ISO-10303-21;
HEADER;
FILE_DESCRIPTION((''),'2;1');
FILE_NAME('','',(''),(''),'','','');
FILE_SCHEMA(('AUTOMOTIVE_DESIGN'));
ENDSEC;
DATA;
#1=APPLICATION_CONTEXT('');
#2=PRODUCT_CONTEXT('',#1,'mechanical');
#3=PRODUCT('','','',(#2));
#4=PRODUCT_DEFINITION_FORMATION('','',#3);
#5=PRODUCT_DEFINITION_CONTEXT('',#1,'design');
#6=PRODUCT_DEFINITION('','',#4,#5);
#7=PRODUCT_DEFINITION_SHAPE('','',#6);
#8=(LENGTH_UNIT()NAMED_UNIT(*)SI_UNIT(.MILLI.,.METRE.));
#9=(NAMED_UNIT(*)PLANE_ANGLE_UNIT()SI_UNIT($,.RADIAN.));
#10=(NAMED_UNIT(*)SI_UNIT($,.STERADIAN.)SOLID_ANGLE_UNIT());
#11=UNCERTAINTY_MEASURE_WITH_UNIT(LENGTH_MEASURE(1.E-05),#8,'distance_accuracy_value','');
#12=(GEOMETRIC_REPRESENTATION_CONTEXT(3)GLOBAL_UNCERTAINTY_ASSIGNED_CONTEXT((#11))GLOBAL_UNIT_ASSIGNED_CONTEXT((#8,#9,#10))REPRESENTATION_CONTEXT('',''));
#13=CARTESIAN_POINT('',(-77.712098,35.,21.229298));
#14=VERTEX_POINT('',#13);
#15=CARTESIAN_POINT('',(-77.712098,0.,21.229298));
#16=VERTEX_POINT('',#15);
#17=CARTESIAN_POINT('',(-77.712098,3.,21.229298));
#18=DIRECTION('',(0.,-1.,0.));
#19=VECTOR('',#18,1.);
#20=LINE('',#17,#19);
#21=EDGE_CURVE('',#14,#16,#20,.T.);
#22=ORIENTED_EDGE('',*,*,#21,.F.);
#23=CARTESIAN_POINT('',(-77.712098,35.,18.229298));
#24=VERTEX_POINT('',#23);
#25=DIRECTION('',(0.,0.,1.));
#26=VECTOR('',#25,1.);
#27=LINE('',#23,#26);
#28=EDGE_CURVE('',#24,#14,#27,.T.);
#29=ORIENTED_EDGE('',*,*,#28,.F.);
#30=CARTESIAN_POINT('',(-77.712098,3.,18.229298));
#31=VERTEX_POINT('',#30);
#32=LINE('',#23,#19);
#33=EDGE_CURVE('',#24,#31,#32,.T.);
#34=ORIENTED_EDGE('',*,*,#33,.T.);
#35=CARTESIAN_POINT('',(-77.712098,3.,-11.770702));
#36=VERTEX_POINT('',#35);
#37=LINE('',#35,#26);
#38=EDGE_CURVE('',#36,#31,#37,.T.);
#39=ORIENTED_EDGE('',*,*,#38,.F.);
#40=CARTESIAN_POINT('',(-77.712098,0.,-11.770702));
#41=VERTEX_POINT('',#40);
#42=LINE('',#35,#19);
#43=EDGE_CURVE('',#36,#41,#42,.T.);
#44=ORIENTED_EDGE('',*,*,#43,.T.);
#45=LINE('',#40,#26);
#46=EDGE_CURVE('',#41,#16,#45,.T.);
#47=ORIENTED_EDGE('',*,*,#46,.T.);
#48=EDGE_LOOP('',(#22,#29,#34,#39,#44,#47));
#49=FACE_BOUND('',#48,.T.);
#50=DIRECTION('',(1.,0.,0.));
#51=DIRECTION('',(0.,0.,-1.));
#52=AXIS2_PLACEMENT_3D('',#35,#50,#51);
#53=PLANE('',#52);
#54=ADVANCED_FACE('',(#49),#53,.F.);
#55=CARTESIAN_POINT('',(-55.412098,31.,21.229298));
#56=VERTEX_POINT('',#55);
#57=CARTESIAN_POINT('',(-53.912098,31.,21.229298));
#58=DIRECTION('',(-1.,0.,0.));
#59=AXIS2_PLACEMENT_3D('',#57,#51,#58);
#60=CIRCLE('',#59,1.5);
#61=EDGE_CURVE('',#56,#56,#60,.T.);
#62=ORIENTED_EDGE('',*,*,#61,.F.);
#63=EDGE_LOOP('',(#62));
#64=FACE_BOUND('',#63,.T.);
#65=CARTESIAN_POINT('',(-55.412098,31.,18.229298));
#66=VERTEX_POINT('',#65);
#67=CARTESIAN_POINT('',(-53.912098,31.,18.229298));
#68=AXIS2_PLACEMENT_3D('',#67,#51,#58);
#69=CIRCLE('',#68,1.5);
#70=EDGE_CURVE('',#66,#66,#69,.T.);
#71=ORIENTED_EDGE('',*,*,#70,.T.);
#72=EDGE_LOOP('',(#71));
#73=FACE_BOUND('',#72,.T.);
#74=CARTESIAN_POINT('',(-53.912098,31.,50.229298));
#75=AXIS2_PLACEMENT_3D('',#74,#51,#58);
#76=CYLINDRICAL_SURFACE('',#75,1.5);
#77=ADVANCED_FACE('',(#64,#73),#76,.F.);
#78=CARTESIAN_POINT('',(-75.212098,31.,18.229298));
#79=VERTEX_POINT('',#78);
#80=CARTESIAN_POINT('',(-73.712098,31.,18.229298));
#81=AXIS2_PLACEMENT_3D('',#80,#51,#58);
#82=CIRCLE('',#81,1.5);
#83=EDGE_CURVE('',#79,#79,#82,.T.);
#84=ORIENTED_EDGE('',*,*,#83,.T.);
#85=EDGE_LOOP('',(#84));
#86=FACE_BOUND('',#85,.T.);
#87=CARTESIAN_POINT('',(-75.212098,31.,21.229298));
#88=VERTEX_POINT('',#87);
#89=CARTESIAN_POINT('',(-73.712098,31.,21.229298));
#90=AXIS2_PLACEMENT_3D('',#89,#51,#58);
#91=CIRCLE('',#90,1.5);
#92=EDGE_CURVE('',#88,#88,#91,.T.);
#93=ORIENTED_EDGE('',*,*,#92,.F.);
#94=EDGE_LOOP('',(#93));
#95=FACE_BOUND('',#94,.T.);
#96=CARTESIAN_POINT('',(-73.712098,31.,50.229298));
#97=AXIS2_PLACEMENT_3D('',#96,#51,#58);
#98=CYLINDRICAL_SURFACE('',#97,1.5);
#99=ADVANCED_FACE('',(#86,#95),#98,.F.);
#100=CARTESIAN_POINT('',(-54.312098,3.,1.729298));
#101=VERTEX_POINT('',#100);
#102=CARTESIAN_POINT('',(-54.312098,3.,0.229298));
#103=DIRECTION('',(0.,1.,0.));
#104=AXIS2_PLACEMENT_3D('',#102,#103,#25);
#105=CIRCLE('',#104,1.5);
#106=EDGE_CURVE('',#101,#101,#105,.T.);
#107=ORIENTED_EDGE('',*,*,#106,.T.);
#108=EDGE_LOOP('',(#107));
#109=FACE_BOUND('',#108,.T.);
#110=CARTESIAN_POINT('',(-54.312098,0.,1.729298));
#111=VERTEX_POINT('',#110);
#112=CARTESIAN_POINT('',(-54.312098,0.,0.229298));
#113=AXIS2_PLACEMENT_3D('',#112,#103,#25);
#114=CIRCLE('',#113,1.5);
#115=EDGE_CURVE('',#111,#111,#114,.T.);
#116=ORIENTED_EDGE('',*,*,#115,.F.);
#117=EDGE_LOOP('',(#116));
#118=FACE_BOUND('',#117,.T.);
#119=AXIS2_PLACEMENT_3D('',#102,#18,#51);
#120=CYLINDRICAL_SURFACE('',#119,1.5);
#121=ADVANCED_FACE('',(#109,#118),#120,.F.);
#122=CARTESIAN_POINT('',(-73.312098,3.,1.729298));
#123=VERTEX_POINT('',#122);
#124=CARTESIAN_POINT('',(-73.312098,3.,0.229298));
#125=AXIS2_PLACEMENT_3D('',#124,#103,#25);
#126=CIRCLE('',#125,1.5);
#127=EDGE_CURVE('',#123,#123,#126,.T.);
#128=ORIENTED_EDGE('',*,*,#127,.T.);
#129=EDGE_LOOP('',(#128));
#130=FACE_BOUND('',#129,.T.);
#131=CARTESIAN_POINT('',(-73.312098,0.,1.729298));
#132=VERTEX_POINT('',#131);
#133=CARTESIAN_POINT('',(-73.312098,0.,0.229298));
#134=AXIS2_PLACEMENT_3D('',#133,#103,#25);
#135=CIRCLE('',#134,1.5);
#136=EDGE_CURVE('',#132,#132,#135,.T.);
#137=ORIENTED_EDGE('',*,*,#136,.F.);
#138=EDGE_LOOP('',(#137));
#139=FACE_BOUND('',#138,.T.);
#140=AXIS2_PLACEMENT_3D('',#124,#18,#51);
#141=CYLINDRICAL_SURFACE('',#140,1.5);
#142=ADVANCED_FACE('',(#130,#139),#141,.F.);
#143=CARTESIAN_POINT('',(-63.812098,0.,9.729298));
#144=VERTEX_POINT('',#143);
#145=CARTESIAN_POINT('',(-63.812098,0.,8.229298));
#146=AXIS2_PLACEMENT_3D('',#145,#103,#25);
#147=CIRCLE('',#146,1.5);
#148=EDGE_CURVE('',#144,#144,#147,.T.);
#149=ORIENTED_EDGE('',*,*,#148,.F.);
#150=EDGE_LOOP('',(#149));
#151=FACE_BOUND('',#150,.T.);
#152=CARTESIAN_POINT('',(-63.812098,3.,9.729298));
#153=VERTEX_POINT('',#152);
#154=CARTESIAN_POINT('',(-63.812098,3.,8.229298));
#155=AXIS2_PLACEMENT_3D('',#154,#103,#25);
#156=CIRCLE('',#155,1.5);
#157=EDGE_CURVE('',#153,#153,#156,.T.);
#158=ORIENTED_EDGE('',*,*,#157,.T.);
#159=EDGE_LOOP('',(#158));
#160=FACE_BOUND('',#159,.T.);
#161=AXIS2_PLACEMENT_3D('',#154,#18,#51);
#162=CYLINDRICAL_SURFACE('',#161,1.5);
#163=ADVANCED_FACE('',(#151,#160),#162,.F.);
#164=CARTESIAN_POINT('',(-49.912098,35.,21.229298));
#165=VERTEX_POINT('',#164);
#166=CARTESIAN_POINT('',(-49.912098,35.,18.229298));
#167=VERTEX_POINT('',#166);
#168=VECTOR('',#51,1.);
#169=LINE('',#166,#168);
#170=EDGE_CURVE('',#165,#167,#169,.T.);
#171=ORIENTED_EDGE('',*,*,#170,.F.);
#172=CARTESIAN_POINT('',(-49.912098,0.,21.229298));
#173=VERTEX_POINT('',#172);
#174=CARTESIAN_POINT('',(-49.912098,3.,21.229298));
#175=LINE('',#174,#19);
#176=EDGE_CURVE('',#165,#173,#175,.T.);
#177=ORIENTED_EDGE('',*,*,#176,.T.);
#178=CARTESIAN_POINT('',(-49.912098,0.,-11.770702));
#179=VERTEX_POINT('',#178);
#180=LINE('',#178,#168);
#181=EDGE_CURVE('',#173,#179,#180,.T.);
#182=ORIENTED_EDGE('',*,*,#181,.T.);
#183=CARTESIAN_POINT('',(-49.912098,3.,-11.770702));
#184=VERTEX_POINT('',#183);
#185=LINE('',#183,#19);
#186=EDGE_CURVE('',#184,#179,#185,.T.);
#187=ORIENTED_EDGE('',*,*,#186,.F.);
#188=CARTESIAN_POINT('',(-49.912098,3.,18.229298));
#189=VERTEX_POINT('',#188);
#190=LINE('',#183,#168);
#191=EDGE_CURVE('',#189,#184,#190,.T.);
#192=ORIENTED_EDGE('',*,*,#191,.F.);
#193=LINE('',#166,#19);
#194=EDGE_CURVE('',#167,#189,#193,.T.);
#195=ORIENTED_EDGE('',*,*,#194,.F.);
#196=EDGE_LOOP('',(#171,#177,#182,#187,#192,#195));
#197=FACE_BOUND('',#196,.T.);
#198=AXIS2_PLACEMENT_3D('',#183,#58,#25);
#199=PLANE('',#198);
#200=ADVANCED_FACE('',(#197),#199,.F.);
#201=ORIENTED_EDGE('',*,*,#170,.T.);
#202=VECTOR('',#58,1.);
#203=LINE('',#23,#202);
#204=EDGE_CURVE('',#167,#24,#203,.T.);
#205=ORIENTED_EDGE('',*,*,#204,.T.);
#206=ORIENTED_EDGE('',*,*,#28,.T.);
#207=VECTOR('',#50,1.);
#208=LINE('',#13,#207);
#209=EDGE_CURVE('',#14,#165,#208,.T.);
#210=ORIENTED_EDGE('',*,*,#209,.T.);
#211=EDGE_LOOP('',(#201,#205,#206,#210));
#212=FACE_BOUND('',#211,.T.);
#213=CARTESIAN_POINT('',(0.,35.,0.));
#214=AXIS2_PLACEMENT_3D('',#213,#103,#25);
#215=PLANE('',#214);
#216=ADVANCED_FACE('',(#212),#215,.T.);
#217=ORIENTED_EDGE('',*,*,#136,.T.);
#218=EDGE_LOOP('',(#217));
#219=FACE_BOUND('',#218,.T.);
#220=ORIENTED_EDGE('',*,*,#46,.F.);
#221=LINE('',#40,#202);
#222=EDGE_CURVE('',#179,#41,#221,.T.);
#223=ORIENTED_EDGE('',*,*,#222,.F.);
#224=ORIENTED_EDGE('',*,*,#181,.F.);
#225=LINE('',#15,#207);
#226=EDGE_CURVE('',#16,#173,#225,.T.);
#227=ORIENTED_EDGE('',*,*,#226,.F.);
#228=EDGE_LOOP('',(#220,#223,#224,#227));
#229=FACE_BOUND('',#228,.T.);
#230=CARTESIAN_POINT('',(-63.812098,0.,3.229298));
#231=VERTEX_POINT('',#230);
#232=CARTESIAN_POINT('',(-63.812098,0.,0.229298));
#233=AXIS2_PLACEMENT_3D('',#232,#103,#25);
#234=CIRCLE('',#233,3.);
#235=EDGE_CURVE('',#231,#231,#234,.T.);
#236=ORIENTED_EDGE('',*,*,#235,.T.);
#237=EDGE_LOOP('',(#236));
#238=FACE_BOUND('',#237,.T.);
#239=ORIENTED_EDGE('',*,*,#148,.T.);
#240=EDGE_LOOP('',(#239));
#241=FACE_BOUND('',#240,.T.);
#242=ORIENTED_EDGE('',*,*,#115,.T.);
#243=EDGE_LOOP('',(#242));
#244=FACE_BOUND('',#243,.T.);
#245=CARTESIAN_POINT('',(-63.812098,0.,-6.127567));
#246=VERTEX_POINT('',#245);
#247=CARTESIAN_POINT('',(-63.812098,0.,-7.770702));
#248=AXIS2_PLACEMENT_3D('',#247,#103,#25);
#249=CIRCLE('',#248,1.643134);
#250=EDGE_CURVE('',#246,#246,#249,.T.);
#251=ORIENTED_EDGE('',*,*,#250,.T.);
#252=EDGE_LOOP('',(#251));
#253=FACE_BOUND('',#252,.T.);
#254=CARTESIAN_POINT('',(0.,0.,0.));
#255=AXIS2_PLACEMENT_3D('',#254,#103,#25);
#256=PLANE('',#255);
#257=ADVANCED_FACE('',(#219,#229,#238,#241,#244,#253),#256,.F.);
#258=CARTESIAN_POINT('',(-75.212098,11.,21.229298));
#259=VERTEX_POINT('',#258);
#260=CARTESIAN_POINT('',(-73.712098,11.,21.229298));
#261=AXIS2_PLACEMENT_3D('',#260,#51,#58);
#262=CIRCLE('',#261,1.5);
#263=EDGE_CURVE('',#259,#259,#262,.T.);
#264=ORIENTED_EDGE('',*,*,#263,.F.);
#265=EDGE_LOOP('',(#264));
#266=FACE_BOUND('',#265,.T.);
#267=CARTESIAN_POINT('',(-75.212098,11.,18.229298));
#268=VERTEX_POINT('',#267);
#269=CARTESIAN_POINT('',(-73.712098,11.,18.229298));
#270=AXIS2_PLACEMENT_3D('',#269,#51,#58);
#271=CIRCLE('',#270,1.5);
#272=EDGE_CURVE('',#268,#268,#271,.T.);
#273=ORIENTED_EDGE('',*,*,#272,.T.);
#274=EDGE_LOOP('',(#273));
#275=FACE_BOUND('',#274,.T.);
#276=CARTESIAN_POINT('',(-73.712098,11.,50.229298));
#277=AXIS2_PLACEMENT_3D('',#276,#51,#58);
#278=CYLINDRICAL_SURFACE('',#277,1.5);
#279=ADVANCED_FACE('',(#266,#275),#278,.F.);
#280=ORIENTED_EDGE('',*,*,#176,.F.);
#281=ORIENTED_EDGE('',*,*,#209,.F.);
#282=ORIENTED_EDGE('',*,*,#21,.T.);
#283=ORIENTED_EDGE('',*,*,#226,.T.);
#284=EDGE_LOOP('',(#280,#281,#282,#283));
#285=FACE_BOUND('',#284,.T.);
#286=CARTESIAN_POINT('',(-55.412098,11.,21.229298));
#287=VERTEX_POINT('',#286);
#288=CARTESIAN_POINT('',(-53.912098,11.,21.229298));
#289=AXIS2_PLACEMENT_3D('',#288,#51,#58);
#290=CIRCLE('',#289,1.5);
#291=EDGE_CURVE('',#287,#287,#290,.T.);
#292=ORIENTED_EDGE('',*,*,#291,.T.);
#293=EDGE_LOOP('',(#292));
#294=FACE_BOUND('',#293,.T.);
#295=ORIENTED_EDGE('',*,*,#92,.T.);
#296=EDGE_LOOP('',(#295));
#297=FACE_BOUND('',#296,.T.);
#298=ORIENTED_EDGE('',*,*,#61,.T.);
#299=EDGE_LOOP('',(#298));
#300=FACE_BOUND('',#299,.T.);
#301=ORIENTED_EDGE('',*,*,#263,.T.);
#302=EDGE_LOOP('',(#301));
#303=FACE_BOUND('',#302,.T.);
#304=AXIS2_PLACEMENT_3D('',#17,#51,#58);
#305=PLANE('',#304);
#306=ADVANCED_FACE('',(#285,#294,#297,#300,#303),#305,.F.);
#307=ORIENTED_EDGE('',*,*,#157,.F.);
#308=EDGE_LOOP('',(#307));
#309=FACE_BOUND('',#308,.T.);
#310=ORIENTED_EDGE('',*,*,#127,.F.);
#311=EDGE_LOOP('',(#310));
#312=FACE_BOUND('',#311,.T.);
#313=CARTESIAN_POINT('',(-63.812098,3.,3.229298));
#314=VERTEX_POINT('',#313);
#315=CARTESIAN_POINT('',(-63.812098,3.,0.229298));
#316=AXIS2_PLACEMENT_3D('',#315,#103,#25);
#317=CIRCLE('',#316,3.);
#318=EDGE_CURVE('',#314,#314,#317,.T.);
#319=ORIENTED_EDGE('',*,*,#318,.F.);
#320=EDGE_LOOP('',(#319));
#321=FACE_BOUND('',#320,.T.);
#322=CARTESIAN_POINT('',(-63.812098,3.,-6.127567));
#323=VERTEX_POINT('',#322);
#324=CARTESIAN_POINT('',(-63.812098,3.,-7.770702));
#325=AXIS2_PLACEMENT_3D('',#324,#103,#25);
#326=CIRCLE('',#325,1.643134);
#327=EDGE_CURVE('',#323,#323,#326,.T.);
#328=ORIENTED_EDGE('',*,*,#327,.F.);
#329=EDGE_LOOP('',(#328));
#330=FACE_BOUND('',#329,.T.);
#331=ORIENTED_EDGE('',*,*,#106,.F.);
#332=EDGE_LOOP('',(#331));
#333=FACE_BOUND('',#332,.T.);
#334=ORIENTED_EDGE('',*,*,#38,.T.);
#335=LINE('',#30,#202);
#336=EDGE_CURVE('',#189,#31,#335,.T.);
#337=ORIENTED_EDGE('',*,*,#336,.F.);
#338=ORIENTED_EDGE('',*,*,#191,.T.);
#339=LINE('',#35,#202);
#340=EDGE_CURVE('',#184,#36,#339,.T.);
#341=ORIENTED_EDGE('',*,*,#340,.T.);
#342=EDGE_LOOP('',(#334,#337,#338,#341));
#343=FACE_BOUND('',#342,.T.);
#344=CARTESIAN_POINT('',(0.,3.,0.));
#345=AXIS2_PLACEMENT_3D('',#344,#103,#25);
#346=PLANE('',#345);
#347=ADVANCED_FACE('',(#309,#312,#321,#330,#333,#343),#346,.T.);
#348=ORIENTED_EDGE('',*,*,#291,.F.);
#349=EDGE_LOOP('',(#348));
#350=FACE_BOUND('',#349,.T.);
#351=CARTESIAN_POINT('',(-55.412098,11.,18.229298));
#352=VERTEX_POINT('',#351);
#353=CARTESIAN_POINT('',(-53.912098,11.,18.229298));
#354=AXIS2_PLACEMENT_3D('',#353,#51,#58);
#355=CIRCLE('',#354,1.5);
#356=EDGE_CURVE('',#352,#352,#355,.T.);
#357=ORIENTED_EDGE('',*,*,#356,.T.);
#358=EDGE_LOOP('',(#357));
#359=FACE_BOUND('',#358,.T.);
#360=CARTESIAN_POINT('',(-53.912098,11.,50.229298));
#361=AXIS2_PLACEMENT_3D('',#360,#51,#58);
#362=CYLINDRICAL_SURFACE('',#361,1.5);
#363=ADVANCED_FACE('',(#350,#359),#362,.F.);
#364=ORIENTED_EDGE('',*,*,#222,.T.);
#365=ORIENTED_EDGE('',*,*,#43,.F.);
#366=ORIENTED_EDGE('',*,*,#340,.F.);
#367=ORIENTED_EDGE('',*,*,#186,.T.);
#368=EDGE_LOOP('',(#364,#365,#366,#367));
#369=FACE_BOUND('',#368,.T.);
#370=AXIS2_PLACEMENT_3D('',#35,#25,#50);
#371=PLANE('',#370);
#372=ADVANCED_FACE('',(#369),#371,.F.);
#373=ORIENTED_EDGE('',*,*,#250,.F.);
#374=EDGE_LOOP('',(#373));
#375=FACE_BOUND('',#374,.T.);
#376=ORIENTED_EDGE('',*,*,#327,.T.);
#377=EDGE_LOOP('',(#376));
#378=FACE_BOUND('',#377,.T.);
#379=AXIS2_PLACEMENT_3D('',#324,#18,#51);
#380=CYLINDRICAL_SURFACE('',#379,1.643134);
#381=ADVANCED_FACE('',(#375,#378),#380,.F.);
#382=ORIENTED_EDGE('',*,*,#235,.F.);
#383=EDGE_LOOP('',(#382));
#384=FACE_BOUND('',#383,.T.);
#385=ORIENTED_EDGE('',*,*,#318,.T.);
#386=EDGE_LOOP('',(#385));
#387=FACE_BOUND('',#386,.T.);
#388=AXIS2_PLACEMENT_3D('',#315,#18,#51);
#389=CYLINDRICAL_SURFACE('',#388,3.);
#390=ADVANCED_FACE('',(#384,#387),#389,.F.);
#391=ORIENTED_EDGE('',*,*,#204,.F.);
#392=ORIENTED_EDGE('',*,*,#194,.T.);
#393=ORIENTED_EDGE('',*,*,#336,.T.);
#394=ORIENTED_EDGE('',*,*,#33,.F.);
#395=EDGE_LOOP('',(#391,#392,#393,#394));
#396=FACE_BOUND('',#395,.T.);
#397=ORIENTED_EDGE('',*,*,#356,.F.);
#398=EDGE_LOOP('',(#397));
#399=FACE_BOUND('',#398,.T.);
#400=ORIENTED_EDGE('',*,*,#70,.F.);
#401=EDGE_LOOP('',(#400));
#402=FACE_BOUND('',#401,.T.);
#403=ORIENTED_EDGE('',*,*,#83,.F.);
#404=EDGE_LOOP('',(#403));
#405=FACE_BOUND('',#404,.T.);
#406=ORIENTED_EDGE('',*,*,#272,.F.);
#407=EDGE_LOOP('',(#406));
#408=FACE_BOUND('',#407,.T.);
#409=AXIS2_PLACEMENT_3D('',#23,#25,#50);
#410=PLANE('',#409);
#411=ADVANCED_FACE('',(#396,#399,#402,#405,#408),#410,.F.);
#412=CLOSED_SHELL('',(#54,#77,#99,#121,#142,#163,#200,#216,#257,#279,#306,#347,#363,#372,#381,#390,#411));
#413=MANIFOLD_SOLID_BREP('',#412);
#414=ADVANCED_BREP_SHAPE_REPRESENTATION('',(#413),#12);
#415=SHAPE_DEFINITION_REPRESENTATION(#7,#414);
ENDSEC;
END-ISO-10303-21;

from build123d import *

# Parameters (mm, degrees)
SKETCH1_W           = 27.8
SKETCH1_H           = 33
SKETCH1_R           = 1.643134295
SKETCH1_R_2         = 3
SKETCH1_R_3         = 1.5
BOSS_EXTRUDE2_DEPTH = 3
SKETCH2_W           = 27.8
SKETCH2_H           = 3
BOSS_EXTRUDE4_DEPTH = 32
SKETCH4_R           = 1.5
CUT_EXTRUDE2_DEPTH  = 32


with BuildPart() as part:
    # Sketch1 → Boss-Extrude2 (new body)
    with BuildSketch(Plane(origin=(0, 0, 0), x_dir=(1, 0, 0), z_dir=(0, 1, 0))):
        with Locations((-63.812097694, -4.729298211)):
            Rectangle(SKETCH1_W, SKETCH1_H)
        with Locations(Location((-63.812097694, 7.770701789, 0), (0, 0, 270))):
            Circle(SKETCH1_R, mode=Mode.SUBTRACT)
        with Locations(Location((-63.812097694, -0.229298211, 0), (0, 0, 270))):
            Circle(SKETCH1_R_2, mode=Mode.SUBTRACT)
        with Locations(Location((-63.812097694, -8.229298211, 0), (0, 0, 270))):
            Circle(SKETCH1_R_3, mode=Mode.SUBTRACT)
        with Locations(Location((-73.312097694, -0.229298211, 0), (0, 0, 270))):
            Circle(SKETCH1_R_3, mode=Mode.SUBTRACT)
        with Locations(Location((-54.312097694, -0.229298211, 0), (0, 0, 270))):
            Circle(SKETCH1_R_3, mode=Mode.SUBTRACT)
    extrude(amount=BOSS_EXTRUDE2_DEPTH)

    # Sketch2 → Boss-Extrude4 (add)
    with BuildSketch(Plane(origin=(0, 3, 0), x_dir=(1, 0, 0), z_dir=(0, 1, 0))):
        with Locations((-63.812097694, -19.729298211)):
            Rectangle(SKETCH2_W, SKETCH2_H)
    extrude(amount=BOSS_EXTRUDE4_DEPTH)

    # Sketch4 → Cut-Extrude2 (cut)
    with BuildSketch(Plane(origin=(0, 0, 18.229298211), x_dir=(-1, 0, 0), z_dir=(0, 0, -1))):
        with Locations((53.912097694, 11)):
            Circle(SKETCH4_R)
        with Locations((73.712097694, 31)):
            Circle(SKETCH4_R)
        with Locations((53.912097694, 31)):
            Circle(SKETCH4_R)
        with Locations((73.712097694, 11)):
            Circle(SKETCH4_R)
    extrude(amount=-CUT_EXTRUDE2_DEPTH, mode=Mode.SUBTRACT)


solid = part.part
